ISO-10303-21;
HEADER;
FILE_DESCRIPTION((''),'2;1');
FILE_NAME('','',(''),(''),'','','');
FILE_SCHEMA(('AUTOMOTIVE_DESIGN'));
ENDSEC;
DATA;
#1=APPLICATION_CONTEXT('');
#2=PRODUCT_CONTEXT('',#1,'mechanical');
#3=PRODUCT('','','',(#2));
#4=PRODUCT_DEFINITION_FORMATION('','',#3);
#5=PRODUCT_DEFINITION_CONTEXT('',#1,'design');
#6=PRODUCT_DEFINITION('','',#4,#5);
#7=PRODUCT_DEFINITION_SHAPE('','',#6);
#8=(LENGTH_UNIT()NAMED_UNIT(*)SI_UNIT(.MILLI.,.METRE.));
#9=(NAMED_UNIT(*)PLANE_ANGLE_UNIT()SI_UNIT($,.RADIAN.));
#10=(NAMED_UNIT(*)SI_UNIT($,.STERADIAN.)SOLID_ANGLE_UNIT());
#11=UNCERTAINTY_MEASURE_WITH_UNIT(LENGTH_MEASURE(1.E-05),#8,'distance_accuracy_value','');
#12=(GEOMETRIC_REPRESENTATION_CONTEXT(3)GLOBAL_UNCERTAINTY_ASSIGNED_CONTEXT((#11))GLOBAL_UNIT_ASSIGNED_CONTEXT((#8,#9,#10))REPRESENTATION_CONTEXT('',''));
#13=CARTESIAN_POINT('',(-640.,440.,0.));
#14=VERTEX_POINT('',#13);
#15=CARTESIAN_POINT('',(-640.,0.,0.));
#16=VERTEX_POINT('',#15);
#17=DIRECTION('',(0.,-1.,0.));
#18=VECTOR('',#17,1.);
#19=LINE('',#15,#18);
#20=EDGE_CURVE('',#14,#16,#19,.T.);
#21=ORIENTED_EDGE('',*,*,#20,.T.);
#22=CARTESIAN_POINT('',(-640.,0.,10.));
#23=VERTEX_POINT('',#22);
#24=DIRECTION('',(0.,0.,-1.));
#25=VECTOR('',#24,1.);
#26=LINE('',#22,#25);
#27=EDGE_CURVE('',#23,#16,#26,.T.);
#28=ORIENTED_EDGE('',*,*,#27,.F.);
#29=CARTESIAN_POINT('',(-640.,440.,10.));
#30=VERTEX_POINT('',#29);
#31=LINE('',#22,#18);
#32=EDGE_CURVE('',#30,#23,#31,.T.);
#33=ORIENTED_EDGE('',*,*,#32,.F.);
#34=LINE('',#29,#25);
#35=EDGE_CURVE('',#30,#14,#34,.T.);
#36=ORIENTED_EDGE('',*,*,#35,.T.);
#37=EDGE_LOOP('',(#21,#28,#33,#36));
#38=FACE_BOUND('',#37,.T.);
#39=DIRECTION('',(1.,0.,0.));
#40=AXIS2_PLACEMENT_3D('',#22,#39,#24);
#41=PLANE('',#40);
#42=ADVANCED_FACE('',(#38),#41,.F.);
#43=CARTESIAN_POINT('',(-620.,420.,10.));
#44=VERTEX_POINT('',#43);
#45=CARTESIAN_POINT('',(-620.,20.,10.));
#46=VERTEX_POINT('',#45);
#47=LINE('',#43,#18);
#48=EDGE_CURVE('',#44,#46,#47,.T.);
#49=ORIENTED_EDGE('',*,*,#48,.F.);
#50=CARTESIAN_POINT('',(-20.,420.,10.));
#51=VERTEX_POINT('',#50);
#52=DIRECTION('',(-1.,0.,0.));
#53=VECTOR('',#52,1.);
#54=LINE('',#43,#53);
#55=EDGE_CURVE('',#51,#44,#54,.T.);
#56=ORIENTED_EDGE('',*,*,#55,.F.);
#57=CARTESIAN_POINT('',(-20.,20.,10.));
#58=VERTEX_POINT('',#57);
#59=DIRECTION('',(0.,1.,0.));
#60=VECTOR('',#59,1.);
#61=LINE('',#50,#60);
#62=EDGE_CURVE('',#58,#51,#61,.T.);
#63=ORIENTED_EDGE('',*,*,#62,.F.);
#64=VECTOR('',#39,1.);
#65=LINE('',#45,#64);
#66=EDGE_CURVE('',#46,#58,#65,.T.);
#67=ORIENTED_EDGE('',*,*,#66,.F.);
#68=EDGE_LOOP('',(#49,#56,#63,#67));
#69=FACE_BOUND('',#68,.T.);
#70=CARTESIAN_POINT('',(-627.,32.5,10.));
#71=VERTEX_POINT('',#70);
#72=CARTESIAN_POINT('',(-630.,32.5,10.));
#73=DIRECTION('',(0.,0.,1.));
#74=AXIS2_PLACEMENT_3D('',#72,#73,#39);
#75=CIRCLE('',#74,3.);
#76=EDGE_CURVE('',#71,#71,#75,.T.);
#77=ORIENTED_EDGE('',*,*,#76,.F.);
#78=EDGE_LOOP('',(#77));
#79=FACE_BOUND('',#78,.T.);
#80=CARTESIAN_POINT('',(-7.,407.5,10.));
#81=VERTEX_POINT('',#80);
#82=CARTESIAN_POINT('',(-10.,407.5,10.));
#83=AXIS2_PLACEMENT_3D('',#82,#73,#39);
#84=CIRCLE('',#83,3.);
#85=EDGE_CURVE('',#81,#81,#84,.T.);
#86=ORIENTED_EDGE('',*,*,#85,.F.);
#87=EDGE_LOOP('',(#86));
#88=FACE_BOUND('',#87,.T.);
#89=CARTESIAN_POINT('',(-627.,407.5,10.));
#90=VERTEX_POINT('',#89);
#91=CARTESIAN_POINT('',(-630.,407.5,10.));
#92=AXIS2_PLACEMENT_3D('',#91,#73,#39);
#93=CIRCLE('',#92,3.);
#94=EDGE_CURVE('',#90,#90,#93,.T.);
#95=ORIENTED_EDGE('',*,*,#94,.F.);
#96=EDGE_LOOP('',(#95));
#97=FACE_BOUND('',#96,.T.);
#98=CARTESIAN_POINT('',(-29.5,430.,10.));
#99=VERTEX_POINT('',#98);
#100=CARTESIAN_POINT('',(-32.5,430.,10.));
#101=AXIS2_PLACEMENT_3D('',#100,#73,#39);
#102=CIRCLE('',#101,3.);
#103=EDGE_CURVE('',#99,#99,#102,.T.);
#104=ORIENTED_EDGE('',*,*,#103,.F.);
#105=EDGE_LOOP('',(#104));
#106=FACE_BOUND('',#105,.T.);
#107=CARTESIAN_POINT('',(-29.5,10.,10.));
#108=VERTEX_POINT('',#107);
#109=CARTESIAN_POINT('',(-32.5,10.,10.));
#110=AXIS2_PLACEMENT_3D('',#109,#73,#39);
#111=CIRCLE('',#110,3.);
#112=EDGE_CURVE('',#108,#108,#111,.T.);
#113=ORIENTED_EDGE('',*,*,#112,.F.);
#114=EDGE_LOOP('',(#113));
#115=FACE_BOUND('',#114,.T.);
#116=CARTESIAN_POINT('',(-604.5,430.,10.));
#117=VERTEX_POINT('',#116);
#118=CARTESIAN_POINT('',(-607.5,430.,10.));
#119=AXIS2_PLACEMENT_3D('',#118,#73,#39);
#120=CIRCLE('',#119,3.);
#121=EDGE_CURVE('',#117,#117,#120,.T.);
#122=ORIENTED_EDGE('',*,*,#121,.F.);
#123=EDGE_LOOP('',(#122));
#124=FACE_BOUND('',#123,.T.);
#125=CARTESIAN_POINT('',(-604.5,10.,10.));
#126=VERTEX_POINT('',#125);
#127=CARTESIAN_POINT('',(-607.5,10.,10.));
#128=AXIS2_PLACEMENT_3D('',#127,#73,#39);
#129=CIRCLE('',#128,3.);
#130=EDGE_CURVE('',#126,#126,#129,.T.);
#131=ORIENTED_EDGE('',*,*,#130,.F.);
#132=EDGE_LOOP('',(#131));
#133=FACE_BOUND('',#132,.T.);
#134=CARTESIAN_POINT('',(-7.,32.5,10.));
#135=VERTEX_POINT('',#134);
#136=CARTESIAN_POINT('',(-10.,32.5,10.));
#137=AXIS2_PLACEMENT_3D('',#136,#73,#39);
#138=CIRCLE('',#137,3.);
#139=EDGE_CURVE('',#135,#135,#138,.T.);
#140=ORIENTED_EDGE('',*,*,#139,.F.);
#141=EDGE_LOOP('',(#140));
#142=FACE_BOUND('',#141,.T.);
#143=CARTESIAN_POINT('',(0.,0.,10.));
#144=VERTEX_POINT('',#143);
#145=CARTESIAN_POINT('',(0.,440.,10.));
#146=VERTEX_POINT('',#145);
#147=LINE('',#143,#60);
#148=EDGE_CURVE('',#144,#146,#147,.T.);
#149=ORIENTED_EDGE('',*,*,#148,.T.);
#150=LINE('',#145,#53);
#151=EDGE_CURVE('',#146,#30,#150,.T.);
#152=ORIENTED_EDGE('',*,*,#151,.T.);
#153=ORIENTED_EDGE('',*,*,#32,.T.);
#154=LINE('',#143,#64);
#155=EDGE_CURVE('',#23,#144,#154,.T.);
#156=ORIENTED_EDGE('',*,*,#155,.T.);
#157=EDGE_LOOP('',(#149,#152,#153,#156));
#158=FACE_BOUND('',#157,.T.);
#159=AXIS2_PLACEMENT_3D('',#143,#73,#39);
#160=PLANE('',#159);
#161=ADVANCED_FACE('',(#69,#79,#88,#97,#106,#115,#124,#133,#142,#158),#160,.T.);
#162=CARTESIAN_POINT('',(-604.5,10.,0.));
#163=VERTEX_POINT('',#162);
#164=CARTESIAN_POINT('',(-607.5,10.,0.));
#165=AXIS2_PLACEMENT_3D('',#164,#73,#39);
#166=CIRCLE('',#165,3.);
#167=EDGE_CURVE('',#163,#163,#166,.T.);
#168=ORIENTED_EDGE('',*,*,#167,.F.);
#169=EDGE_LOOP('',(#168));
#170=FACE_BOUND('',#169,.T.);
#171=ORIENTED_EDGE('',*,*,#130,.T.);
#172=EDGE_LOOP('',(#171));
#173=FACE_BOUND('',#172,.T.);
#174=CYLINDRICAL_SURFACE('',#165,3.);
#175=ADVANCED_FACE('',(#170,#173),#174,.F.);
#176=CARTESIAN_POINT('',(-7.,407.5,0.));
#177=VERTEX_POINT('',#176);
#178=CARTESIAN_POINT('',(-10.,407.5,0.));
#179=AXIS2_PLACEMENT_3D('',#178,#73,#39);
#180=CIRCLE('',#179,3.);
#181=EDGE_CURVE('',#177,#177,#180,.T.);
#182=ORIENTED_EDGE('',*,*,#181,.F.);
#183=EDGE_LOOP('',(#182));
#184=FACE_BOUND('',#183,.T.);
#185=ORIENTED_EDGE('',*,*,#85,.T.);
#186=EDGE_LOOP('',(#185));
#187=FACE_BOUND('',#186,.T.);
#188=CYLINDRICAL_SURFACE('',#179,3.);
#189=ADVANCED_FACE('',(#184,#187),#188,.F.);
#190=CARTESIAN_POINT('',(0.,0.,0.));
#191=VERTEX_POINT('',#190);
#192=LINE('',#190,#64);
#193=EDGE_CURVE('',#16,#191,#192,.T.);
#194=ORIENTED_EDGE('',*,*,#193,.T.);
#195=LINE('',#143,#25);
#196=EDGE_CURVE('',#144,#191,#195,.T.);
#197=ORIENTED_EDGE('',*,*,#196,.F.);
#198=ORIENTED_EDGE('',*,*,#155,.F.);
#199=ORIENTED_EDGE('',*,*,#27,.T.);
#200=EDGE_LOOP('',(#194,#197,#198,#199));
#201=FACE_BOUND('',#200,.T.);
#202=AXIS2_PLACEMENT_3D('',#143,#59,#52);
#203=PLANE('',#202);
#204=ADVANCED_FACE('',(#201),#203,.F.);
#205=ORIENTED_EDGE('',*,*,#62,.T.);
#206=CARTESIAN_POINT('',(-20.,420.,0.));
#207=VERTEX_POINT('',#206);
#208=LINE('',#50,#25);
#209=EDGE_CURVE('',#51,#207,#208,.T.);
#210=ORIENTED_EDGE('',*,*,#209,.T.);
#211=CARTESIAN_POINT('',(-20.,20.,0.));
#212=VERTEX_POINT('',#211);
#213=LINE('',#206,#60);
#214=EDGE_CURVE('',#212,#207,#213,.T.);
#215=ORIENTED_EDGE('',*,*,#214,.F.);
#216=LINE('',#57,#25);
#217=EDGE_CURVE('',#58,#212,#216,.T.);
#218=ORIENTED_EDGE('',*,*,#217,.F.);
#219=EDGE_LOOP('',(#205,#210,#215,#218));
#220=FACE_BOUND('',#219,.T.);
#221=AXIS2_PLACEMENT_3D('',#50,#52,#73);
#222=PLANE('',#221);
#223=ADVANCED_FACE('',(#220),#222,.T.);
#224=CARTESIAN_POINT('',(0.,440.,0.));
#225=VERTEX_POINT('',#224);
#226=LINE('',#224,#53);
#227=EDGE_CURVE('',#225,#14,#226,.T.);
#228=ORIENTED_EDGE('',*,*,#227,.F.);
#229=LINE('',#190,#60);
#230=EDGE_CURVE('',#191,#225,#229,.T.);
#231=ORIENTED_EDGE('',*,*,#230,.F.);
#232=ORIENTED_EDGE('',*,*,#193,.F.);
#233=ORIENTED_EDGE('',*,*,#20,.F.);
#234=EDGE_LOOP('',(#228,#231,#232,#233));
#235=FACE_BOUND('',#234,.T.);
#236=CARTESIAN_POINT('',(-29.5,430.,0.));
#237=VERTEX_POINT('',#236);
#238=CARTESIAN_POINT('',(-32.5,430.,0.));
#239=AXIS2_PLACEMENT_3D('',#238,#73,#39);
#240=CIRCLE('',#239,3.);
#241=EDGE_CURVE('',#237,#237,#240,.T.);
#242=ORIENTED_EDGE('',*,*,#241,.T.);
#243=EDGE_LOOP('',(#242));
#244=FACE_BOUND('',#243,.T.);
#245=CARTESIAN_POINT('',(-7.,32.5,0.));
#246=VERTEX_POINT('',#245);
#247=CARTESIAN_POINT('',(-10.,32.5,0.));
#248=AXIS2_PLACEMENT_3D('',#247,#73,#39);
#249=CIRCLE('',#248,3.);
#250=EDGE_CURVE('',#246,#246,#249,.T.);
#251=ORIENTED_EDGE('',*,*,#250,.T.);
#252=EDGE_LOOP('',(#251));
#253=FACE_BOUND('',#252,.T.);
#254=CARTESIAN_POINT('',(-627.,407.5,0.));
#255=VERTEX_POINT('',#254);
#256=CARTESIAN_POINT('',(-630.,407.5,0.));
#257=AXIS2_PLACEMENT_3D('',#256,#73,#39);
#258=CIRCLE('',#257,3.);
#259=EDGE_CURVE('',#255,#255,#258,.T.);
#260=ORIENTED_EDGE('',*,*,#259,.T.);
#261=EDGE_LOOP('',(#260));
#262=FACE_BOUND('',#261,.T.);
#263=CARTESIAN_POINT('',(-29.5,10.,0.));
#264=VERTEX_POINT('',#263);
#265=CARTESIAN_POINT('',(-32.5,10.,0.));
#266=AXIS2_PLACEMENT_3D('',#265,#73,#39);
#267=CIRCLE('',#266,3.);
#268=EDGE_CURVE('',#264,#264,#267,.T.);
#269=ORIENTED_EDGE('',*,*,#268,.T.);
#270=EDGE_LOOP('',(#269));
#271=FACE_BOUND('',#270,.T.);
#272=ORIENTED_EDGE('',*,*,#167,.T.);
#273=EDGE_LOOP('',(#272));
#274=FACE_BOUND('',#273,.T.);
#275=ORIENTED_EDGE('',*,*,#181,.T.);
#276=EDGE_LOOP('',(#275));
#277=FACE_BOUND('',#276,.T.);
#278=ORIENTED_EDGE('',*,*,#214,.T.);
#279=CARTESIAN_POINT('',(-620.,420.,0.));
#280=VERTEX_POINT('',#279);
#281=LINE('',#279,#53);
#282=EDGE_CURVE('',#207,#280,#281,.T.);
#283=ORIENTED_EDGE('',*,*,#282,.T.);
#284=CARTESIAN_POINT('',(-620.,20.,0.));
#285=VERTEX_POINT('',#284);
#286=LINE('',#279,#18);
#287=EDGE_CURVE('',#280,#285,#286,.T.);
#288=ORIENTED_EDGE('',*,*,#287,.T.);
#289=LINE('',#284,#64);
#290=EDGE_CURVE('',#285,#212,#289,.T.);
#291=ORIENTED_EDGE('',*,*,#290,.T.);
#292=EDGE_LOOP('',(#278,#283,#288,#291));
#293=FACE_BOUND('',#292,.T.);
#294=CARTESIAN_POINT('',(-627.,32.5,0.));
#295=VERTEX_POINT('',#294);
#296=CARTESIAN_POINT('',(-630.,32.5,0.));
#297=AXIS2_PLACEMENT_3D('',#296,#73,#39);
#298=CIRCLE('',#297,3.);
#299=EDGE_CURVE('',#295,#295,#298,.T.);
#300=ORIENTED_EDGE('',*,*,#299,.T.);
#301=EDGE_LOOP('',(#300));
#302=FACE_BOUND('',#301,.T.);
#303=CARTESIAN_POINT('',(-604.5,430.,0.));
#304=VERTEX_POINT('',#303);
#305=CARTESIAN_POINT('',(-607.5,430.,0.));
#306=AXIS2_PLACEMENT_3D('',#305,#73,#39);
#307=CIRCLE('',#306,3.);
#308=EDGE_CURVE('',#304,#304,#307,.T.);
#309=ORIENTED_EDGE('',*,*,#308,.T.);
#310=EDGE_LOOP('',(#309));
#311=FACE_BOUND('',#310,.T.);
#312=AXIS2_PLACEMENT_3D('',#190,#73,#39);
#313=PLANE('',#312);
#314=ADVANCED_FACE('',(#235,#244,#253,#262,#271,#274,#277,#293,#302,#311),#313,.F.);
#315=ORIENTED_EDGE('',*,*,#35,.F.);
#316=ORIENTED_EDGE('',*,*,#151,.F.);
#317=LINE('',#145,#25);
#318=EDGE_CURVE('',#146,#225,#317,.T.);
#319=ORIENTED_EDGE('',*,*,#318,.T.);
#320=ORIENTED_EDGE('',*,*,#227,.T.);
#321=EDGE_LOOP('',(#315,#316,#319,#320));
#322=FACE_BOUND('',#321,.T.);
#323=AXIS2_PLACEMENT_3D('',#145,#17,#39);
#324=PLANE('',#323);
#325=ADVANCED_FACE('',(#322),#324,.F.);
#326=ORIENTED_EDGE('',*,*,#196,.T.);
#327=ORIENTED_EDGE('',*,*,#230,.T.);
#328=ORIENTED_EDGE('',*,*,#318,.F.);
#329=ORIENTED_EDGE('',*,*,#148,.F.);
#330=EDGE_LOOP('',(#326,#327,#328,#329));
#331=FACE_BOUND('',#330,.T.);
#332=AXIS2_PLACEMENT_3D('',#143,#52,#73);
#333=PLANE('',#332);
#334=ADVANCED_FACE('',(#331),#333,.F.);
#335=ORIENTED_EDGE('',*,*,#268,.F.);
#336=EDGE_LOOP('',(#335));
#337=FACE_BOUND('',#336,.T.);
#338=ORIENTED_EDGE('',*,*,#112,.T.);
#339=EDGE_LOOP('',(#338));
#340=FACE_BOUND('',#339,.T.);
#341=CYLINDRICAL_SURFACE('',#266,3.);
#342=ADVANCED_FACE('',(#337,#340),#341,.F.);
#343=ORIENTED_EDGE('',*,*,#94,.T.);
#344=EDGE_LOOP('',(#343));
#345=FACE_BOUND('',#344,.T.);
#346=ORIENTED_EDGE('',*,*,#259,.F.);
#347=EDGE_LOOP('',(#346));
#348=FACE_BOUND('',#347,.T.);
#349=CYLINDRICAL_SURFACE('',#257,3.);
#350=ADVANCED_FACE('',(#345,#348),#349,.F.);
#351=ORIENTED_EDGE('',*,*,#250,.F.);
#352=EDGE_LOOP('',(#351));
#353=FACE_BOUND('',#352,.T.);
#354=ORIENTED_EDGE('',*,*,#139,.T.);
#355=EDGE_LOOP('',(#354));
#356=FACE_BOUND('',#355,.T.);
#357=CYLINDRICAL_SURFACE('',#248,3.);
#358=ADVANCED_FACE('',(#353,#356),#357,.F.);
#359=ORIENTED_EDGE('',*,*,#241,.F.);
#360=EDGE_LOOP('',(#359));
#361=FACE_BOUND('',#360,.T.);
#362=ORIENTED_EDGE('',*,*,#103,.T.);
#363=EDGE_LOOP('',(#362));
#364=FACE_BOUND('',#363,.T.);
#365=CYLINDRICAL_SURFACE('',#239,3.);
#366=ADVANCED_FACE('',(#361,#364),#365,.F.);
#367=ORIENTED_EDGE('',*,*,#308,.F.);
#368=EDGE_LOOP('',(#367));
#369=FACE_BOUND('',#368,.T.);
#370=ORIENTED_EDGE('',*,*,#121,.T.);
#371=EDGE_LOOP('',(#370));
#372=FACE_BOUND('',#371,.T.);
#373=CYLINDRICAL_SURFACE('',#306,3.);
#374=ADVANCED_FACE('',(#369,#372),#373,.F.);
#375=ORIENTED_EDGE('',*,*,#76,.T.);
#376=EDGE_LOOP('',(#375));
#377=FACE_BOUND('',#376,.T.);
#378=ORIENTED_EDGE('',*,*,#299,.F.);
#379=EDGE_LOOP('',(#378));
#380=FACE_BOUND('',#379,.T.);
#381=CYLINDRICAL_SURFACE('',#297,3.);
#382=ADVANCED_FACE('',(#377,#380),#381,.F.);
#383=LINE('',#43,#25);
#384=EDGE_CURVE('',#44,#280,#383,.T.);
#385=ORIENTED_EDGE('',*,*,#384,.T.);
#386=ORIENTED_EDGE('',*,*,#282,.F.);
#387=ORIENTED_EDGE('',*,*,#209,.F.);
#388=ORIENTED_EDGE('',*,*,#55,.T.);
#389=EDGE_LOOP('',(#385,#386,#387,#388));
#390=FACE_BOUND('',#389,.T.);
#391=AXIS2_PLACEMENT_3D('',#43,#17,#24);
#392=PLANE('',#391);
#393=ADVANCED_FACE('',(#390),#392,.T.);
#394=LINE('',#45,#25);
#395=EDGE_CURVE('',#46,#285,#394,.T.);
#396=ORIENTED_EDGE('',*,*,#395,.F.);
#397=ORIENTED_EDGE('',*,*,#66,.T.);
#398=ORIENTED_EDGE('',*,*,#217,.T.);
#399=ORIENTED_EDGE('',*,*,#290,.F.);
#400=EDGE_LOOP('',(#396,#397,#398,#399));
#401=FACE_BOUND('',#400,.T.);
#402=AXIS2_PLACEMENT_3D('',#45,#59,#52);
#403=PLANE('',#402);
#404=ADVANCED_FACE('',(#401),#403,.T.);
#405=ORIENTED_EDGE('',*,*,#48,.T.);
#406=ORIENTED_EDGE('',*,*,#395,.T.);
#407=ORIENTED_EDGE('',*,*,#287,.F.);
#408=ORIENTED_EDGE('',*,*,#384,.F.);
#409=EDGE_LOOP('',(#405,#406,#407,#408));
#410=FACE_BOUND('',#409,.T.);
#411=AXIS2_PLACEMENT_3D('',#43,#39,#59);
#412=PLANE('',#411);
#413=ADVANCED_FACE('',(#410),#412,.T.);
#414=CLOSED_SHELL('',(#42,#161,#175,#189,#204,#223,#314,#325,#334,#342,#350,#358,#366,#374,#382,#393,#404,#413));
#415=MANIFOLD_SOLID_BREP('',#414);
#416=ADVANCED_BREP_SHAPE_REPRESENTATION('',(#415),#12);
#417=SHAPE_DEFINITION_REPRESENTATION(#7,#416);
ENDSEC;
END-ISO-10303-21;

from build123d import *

# Parameters (mm, degrees)
ESQUISSE1_W             = 640
ESQUISSE1_H             = 440
ESQUISSE1_W_2           = 600
ESQUISSE1_H_2           = 400
BOSS_EXTRU_1_DEPTH      = 10
ESQUISSE2_R             = 3
ENL_V_MAT_EXTRU_1_DEPTH = 11


with BuildPart() as part:
    # Esquisse1 → Boss.-Extru.1 (new body)
    with BuildSketch(Plane.XY):
        with Locations((-320, 220)):
            Rectangle(ESQUISSE1_W, ESQUISSE1_H)
        with Locations((-320, 220)):
            Rectangle(ESQUISSE1_W_2, ESQUISSE1_H_2, mode=Mode.SUBTRACT)
    extrude(amount=BOSS_EXTRU_1_DEPTH)

    # Esquisse2 → Enlèv. mat.-Extru.1 (cut, through all)
    with BuildSketch(Plane.XY.offset(10)):
        with Locations((-32.5, 430)):
            Circle(ESQUISSE2_R)
        with Locations((-10, 407.5)):
            Circle(ESQUISSE2_R)
        with Locations((-607.5, 430)):
            Circle(ESQUISSE2_R)
        with Locations((-630, 407.5)):
            Circle(ESQUISSE2_R)
        with Locations((-630, 32.5)):
            Circle(ESQUISSE2_R)
        with Locations((-607.5, 10)):
            Circle(ESQUISSE2_R)
        with Locations((-32.5, 10)):
            Circle(ESQUISSE2_R)
        with Locations((-10, 32.5)):
            Circle(ESQUISSE2_R)
    extrude(amount=-ENL_V_MAT_EXTRU_1_DEPTH, mode=Mode.SUBTRACT)


solid = part.part
